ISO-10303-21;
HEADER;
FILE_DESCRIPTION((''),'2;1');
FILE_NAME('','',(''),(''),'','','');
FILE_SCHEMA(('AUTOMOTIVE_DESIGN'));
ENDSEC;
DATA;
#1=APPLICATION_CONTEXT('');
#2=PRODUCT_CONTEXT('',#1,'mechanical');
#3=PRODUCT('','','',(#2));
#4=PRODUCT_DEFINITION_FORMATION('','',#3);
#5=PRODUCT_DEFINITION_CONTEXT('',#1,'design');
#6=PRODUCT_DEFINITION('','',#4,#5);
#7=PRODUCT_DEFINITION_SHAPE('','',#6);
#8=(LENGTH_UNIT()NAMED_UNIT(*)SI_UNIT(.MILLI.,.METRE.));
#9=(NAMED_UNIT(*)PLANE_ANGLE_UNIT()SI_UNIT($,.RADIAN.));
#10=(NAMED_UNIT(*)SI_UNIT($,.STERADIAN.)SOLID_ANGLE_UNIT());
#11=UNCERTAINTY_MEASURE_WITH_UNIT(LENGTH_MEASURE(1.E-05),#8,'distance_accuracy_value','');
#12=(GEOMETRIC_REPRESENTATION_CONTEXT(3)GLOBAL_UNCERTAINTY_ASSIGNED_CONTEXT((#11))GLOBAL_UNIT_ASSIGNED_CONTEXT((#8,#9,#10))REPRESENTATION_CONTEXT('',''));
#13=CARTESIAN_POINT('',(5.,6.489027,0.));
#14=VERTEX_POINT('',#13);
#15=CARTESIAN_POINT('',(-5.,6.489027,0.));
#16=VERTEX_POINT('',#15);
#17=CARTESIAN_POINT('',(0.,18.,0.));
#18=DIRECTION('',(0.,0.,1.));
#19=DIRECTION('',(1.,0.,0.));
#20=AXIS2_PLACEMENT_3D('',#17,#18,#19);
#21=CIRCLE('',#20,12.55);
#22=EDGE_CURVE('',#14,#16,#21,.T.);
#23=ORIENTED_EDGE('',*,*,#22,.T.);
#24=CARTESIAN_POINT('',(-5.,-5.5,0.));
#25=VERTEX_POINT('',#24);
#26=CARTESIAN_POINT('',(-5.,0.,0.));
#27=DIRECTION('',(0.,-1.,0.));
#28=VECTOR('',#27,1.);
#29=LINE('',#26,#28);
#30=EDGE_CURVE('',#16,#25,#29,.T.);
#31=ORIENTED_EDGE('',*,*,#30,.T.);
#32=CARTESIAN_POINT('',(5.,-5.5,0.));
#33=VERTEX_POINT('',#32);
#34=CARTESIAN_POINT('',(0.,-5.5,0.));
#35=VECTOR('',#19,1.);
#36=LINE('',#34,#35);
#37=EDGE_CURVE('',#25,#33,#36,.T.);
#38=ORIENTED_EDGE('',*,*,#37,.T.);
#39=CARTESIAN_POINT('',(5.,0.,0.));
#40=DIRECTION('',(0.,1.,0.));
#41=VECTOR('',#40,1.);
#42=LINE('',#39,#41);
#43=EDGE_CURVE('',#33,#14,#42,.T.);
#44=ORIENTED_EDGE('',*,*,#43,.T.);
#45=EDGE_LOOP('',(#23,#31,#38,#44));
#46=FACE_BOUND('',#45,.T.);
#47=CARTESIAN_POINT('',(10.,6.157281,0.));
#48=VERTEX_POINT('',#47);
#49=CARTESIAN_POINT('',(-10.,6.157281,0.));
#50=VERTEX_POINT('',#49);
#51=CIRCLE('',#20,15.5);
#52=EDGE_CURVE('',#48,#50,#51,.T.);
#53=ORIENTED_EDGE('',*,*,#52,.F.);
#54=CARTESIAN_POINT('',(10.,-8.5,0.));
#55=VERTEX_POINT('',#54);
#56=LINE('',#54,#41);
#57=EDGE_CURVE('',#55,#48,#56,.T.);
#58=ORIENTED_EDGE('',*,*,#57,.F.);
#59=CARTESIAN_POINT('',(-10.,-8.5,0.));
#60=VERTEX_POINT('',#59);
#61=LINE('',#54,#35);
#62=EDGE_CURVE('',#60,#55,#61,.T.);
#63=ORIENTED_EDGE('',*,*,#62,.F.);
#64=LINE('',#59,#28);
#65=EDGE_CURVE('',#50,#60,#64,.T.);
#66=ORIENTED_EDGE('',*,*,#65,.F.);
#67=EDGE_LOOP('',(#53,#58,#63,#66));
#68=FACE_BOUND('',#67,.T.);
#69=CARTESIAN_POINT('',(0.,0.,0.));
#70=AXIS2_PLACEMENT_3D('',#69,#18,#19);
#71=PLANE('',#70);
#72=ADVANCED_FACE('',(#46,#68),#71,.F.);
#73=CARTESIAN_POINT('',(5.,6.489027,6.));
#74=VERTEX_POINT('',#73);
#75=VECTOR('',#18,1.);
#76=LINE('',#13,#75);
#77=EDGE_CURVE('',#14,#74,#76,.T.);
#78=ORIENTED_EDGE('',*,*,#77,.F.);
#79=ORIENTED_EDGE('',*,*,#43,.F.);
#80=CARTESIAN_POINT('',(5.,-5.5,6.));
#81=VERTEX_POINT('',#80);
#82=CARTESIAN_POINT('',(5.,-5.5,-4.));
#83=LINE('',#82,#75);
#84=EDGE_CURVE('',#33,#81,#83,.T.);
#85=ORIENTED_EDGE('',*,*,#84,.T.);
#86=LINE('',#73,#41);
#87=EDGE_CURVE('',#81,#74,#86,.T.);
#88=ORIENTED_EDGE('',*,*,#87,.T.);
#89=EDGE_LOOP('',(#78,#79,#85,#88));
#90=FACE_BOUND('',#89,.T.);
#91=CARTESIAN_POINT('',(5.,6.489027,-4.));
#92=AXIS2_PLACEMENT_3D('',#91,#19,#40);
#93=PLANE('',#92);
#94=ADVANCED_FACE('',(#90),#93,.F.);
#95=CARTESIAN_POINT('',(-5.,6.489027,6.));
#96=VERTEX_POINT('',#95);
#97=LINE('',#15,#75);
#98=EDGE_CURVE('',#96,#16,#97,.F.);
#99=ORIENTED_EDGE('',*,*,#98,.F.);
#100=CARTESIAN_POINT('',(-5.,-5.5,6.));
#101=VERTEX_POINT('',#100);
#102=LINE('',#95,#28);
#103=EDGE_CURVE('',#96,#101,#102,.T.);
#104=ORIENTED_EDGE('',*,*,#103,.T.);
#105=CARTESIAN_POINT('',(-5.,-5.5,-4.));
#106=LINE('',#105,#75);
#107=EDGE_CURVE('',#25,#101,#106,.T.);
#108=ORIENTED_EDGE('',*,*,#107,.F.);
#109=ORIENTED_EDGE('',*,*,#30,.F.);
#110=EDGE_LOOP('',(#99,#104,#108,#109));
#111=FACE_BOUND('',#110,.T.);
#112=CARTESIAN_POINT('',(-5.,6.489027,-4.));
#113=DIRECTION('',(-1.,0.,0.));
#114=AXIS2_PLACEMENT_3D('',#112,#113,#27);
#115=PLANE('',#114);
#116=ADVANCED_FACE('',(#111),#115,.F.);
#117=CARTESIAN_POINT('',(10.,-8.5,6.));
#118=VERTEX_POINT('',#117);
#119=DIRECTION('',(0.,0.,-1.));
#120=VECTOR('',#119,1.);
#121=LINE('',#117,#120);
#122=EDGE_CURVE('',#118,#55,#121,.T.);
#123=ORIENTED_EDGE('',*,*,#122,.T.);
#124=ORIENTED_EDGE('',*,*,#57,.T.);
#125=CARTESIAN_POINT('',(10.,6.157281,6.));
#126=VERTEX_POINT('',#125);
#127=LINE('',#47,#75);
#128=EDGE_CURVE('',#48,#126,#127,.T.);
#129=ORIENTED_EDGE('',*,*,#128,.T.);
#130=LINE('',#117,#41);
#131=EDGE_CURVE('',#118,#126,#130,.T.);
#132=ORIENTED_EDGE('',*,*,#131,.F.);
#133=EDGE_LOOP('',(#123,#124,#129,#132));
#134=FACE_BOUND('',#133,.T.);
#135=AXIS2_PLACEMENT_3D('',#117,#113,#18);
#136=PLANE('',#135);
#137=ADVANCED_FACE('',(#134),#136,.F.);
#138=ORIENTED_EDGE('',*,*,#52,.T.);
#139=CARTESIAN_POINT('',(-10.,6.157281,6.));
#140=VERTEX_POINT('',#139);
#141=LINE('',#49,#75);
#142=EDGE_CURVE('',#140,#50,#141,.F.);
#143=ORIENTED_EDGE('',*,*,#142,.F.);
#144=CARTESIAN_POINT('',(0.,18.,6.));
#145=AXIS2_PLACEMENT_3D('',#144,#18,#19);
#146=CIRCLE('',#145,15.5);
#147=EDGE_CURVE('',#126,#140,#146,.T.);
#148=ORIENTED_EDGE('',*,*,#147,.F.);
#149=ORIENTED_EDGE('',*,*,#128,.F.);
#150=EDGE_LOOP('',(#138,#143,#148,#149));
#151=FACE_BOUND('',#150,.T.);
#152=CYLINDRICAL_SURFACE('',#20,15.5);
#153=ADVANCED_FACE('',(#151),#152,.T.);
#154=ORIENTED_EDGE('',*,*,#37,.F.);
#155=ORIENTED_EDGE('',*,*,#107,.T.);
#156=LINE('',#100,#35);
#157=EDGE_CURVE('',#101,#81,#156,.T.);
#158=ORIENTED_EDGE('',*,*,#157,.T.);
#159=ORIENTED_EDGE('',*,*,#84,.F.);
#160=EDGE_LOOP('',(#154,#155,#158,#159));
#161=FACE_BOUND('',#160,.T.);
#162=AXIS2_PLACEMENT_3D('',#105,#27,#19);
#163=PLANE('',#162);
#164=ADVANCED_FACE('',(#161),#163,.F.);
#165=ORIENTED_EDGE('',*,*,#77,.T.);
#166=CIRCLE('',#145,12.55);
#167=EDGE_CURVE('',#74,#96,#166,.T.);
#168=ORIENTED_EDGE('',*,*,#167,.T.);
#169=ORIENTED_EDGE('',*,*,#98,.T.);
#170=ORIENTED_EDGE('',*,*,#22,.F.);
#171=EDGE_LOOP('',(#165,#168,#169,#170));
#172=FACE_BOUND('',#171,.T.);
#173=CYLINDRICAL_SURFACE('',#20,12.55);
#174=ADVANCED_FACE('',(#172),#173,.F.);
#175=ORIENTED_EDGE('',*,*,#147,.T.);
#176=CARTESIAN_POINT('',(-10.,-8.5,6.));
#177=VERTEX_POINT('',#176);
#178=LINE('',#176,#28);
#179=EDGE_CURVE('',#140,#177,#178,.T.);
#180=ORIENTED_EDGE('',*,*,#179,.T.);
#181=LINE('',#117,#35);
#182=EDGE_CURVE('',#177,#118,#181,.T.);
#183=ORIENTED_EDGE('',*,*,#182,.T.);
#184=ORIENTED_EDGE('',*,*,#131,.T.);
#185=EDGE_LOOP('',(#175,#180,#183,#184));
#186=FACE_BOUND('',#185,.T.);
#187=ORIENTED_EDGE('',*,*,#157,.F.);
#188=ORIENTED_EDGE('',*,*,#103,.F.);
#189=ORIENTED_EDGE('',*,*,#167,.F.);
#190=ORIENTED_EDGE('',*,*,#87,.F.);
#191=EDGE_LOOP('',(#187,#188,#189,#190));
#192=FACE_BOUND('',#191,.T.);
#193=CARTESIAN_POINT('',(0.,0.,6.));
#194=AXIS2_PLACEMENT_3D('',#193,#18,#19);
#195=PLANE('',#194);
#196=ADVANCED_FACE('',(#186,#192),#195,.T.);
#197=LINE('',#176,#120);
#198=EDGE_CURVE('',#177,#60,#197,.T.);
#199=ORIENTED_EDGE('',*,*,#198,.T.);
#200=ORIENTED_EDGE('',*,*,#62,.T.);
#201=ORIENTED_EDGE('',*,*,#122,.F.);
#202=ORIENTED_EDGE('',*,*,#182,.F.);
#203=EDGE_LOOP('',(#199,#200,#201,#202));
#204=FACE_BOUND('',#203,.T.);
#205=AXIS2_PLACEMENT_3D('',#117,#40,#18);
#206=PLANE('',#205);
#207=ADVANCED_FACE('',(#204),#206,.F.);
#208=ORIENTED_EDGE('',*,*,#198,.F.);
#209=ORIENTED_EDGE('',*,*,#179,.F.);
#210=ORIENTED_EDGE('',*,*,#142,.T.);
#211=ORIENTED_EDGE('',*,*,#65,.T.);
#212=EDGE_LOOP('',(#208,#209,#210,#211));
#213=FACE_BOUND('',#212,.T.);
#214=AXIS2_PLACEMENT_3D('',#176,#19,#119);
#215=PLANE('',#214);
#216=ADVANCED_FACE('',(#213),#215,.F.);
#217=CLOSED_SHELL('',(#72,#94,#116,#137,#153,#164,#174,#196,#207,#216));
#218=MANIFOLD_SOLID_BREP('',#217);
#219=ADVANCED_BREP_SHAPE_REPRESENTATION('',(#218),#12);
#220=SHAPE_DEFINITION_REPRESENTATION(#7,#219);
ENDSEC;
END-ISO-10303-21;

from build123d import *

# Parameters (mm, degrees)
ESQUISSE1_W             = 20
ESQUISSE1_H             = 17
BOSS_EXTRU_1_DEPTH      = 6
ESQUISSE2_R             = 15.5
BOSS_EXTRU_2_DEPTH      = 6
ESQUISSE3_R             = 12.55
ENL_V_MAT_EXTRU_1_DEPTH = 6
ESQUISSE4_W             = 10
ESQUISSE4_H             = 11.989026974
ENL_V_MAT_EXTRU_2_DEPTH = 10


with BuildPart() as part:
    # Esquisse1 → Boss.-Extru.1 (new body)
    with BuildSketch(Plane.XY):
        Rectangle(ESQUISSE1_W, ESQUISSE1_H)
    extrude(amount=BOSS_EXTRU_1_DEPTH)

    # Esquisse2 → Boss.-Extru.2 (add)
    with BuildSketch(Plane.XY.offset(6)):
        with Locations((0, 18)):
            Circle(ESQUISSE2_R)
    extrude(amount=-BOSS_EXTRU_2_DEPTH)

    # Esquisse3 → Enlèv. mat.-Extru.1 (cut)
    with BuildSketch(Plane.XY.offset(6)):
        with Locations((0, 18)):
            Circle(ESQUISSE3_R)
    extrude(amount=-ENL_V_MAT_EXTRU_1_DEPTH, mode=Mode.SUBTRACT)

    # Esquisse4 → Enlèv. mat.-Extru.2 (cut)
    with BuildSketch(Plane.XY.offset(6)):
        with Locations((0, 0.494513487)):
            Rectangle(ESQUISSE4_W, ESQUISSE4_H)
    extrude(amount=-ENL_V_MAT_EXTRU_2_DEPTH, mode=Mode.SUBTRACT)


solid = part.part
